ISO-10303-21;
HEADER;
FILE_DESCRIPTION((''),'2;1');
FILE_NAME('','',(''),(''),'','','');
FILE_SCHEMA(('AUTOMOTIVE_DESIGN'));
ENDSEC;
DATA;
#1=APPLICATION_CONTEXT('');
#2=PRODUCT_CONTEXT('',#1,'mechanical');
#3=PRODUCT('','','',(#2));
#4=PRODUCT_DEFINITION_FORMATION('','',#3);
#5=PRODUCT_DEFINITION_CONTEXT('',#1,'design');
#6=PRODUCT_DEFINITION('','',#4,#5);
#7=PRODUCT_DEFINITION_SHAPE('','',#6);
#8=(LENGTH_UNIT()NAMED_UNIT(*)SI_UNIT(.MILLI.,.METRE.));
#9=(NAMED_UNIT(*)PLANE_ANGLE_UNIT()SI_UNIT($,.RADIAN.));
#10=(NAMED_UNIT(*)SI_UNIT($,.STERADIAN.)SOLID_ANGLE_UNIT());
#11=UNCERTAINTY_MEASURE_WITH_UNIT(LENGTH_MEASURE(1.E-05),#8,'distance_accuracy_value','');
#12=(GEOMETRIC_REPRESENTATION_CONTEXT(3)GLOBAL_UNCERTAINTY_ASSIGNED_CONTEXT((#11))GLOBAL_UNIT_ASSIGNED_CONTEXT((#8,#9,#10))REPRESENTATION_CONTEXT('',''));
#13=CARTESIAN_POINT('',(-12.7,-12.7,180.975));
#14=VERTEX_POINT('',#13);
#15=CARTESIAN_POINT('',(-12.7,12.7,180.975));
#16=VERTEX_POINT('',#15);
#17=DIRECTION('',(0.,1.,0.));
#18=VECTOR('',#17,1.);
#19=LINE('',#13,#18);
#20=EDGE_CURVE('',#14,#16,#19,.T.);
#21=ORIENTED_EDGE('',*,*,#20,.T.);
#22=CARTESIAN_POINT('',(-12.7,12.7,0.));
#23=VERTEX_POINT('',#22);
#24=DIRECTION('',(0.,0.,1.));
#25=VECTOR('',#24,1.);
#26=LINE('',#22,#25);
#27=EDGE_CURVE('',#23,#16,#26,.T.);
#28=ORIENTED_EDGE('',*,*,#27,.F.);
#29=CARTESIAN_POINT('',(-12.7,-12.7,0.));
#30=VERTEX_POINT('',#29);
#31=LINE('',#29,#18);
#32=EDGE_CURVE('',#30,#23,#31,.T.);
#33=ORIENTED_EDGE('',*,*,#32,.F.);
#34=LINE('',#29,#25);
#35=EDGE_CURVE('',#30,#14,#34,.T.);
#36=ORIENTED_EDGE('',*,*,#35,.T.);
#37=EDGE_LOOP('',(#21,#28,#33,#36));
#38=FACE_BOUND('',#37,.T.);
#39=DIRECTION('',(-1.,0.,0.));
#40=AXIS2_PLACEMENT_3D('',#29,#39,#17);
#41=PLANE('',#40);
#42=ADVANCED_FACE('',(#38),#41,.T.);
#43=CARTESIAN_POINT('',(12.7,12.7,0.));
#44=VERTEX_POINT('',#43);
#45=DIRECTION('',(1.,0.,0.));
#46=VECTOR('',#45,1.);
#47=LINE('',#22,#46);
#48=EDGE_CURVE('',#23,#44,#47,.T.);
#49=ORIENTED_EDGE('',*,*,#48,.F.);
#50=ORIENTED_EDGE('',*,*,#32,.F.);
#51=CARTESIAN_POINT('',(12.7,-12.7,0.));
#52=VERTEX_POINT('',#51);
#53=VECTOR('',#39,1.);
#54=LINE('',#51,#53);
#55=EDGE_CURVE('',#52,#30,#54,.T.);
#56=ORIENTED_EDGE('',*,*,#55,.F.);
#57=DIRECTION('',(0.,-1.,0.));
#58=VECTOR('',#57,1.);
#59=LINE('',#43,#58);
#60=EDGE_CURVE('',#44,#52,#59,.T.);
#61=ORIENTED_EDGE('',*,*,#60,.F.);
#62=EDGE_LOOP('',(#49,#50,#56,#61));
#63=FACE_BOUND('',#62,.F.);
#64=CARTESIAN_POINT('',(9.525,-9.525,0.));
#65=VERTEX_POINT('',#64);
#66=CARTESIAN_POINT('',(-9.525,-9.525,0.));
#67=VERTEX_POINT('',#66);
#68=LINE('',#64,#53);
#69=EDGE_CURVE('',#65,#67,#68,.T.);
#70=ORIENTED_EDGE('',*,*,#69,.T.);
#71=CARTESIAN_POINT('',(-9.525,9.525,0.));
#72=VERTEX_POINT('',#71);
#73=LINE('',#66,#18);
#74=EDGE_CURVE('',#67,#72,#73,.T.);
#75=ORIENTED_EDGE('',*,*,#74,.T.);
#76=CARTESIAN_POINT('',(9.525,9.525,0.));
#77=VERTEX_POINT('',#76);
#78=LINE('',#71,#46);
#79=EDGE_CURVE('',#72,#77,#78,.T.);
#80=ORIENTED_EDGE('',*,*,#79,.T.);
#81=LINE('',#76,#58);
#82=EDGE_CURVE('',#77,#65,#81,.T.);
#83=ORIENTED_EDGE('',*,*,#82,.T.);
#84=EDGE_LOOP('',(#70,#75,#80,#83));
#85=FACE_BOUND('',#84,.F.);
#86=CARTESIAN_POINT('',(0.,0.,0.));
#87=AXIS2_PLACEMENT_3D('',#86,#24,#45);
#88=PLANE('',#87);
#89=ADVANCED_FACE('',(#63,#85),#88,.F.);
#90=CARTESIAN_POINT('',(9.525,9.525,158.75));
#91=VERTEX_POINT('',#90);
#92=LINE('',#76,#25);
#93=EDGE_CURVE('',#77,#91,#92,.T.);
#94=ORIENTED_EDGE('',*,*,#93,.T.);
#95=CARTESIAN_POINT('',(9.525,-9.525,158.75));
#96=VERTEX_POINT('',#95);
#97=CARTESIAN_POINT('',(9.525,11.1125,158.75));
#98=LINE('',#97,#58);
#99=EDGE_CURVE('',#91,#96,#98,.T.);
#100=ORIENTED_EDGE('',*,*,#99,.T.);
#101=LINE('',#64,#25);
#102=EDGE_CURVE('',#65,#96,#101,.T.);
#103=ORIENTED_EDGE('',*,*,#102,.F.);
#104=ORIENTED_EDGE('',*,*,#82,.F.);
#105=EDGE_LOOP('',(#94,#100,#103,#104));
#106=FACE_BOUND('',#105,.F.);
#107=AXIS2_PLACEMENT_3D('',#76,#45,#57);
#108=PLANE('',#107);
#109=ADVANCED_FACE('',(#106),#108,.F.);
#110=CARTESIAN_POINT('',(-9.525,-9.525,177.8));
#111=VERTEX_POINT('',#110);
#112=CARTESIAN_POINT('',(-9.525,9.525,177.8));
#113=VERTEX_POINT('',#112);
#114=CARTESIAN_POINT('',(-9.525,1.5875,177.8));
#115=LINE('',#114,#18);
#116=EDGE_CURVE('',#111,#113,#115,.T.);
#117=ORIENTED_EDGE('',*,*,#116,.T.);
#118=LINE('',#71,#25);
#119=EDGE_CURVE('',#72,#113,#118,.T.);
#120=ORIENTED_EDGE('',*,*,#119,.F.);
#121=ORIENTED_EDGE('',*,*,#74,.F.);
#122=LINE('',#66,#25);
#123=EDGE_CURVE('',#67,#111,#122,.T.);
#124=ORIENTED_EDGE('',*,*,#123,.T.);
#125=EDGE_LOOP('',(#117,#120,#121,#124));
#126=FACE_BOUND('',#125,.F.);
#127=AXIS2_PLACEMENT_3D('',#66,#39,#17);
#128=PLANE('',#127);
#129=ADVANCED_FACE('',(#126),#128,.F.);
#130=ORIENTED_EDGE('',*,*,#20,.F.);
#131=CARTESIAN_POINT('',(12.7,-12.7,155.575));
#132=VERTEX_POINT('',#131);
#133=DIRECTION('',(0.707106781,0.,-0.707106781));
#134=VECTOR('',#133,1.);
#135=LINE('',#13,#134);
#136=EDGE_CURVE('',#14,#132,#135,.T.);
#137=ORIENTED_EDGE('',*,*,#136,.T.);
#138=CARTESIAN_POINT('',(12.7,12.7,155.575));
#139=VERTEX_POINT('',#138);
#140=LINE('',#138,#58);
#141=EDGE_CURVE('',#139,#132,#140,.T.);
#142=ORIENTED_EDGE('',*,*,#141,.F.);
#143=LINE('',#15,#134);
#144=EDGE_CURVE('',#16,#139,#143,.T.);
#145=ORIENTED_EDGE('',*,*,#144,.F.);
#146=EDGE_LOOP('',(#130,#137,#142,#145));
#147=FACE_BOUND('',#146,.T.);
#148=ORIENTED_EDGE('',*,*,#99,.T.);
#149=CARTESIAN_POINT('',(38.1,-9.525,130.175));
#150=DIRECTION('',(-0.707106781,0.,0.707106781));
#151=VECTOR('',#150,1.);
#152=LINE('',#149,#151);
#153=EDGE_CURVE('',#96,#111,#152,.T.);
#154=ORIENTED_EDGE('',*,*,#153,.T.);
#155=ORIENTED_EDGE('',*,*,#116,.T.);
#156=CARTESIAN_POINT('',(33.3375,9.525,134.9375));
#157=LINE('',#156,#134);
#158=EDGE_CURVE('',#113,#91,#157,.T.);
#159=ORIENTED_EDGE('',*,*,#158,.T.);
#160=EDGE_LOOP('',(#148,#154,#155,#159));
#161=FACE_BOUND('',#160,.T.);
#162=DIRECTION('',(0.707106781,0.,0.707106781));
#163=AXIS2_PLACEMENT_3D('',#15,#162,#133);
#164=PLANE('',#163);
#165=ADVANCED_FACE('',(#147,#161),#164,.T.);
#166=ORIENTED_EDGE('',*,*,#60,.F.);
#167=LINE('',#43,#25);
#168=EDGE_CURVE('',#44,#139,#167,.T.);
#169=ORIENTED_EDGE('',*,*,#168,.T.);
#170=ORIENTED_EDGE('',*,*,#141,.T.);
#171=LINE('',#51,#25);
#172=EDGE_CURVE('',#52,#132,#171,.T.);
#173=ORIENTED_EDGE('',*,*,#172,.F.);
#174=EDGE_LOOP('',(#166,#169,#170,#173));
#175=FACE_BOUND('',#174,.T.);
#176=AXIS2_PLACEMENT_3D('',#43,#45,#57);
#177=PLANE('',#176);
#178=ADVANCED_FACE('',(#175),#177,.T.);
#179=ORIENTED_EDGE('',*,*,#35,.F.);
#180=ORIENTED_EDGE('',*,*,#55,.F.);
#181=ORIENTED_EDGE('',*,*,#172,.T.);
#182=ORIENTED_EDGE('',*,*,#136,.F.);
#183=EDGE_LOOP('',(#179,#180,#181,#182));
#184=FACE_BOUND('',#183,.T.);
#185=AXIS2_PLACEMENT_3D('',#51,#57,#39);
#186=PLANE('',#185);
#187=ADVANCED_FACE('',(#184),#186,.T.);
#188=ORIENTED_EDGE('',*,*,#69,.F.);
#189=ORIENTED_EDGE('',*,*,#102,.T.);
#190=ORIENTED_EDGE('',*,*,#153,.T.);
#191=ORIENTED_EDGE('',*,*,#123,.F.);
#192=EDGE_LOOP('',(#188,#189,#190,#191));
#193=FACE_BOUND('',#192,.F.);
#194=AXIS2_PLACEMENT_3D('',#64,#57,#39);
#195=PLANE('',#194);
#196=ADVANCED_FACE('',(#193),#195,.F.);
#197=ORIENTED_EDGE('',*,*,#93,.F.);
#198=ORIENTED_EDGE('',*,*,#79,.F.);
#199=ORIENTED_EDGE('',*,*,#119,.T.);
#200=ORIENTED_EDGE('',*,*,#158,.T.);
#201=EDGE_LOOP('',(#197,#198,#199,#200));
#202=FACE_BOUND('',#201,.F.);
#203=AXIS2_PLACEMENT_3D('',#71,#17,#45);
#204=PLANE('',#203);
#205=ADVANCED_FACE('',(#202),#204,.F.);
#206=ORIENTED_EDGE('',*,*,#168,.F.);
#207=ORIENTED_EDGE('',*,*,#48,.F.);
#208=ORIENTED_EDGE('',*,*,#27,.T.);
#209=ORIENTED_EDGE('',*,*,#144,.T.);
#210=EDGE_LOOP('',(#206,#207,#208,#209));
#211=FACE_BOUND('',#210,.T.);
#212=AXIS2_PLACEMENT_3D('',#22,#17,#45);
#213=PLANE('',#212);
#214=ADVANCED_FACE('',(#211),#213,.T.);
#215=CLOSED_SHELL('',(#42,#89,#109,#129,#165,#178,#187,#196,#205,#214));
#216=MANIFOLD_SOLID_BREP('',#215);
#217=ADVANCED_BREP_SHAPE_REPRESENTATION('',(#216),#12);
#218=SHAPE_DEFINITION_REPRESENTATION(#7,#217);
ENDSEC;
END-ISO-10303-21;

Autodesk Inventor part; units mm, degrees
ref_plane "YZ Plane" through (0, 0, 0) normal (1, 0, 0) x (0, 1, 0)
ref_plane "XZ Plane" through (0, 0, 0) normal (0, 1, 0) x (-1, 0, 0)
ref_plane "XY Plane" through (0, 0, 0) normal (0, 0, 1) x (1, 0, 0)
sketch "Sketch1" plane through (0, 0, 0) normal (0, 0, 1) x (1, 0, 0)
  line L0 (-12.7, 12.7) -> (12.7, 12.7)
  line L1 (12.7, 12.7) -> (12.7, -12.7)
  line L2 (12.7, -12.7) -> (-12.7, -12.7)
  line L3 (-12.7, -12.7) -> (-12.7, 12.7)
  line L4 (-9.525, 9.525) -> (9.525, 9.525)
  line L5 (9.525, 9.525) -> (9.525, -9.525)
  line L6 (9.525, -9.525) -> (-9.525, -9.525)
  line L7 (-9.525, -9.525) -> (-9.525, 9.525)
  point P0 (0, 0)
  dimension "d0" = 25.4
  dimension "d1" = 25.4
  dimension "d2" = 12.7
  dimension "d3" = 12.7
  dimension "d4" = 3.175
  dimension "d5" = 3.175
  dimension "d6" = 3.175
  dimension "d7" = 3.175
extrude "Extrusion1" add sketch "Sketch1" along normal blind 180.975
sketch "Sketch3" plane through (-12.7, 12.7, 0) normal (0, 1, 0) x (1, 0, 0)
  line L0 (0, -180.975) -> (25.4, -180.975) projected
  line L1 (25.4, 0) -> (25.4, -180.975) projected
  line L2 (0, 0) -> (0, -180.975) projected
  line L3 (0, -180.975) -> (25.4, -155.575)
  point P0 (12.7, 0)
  dimension "d13" = 45
extrude "Extrusion3" cut sketch "Sketch3" against normal blind 25.4
properties part number "backwards edge frame tube"
